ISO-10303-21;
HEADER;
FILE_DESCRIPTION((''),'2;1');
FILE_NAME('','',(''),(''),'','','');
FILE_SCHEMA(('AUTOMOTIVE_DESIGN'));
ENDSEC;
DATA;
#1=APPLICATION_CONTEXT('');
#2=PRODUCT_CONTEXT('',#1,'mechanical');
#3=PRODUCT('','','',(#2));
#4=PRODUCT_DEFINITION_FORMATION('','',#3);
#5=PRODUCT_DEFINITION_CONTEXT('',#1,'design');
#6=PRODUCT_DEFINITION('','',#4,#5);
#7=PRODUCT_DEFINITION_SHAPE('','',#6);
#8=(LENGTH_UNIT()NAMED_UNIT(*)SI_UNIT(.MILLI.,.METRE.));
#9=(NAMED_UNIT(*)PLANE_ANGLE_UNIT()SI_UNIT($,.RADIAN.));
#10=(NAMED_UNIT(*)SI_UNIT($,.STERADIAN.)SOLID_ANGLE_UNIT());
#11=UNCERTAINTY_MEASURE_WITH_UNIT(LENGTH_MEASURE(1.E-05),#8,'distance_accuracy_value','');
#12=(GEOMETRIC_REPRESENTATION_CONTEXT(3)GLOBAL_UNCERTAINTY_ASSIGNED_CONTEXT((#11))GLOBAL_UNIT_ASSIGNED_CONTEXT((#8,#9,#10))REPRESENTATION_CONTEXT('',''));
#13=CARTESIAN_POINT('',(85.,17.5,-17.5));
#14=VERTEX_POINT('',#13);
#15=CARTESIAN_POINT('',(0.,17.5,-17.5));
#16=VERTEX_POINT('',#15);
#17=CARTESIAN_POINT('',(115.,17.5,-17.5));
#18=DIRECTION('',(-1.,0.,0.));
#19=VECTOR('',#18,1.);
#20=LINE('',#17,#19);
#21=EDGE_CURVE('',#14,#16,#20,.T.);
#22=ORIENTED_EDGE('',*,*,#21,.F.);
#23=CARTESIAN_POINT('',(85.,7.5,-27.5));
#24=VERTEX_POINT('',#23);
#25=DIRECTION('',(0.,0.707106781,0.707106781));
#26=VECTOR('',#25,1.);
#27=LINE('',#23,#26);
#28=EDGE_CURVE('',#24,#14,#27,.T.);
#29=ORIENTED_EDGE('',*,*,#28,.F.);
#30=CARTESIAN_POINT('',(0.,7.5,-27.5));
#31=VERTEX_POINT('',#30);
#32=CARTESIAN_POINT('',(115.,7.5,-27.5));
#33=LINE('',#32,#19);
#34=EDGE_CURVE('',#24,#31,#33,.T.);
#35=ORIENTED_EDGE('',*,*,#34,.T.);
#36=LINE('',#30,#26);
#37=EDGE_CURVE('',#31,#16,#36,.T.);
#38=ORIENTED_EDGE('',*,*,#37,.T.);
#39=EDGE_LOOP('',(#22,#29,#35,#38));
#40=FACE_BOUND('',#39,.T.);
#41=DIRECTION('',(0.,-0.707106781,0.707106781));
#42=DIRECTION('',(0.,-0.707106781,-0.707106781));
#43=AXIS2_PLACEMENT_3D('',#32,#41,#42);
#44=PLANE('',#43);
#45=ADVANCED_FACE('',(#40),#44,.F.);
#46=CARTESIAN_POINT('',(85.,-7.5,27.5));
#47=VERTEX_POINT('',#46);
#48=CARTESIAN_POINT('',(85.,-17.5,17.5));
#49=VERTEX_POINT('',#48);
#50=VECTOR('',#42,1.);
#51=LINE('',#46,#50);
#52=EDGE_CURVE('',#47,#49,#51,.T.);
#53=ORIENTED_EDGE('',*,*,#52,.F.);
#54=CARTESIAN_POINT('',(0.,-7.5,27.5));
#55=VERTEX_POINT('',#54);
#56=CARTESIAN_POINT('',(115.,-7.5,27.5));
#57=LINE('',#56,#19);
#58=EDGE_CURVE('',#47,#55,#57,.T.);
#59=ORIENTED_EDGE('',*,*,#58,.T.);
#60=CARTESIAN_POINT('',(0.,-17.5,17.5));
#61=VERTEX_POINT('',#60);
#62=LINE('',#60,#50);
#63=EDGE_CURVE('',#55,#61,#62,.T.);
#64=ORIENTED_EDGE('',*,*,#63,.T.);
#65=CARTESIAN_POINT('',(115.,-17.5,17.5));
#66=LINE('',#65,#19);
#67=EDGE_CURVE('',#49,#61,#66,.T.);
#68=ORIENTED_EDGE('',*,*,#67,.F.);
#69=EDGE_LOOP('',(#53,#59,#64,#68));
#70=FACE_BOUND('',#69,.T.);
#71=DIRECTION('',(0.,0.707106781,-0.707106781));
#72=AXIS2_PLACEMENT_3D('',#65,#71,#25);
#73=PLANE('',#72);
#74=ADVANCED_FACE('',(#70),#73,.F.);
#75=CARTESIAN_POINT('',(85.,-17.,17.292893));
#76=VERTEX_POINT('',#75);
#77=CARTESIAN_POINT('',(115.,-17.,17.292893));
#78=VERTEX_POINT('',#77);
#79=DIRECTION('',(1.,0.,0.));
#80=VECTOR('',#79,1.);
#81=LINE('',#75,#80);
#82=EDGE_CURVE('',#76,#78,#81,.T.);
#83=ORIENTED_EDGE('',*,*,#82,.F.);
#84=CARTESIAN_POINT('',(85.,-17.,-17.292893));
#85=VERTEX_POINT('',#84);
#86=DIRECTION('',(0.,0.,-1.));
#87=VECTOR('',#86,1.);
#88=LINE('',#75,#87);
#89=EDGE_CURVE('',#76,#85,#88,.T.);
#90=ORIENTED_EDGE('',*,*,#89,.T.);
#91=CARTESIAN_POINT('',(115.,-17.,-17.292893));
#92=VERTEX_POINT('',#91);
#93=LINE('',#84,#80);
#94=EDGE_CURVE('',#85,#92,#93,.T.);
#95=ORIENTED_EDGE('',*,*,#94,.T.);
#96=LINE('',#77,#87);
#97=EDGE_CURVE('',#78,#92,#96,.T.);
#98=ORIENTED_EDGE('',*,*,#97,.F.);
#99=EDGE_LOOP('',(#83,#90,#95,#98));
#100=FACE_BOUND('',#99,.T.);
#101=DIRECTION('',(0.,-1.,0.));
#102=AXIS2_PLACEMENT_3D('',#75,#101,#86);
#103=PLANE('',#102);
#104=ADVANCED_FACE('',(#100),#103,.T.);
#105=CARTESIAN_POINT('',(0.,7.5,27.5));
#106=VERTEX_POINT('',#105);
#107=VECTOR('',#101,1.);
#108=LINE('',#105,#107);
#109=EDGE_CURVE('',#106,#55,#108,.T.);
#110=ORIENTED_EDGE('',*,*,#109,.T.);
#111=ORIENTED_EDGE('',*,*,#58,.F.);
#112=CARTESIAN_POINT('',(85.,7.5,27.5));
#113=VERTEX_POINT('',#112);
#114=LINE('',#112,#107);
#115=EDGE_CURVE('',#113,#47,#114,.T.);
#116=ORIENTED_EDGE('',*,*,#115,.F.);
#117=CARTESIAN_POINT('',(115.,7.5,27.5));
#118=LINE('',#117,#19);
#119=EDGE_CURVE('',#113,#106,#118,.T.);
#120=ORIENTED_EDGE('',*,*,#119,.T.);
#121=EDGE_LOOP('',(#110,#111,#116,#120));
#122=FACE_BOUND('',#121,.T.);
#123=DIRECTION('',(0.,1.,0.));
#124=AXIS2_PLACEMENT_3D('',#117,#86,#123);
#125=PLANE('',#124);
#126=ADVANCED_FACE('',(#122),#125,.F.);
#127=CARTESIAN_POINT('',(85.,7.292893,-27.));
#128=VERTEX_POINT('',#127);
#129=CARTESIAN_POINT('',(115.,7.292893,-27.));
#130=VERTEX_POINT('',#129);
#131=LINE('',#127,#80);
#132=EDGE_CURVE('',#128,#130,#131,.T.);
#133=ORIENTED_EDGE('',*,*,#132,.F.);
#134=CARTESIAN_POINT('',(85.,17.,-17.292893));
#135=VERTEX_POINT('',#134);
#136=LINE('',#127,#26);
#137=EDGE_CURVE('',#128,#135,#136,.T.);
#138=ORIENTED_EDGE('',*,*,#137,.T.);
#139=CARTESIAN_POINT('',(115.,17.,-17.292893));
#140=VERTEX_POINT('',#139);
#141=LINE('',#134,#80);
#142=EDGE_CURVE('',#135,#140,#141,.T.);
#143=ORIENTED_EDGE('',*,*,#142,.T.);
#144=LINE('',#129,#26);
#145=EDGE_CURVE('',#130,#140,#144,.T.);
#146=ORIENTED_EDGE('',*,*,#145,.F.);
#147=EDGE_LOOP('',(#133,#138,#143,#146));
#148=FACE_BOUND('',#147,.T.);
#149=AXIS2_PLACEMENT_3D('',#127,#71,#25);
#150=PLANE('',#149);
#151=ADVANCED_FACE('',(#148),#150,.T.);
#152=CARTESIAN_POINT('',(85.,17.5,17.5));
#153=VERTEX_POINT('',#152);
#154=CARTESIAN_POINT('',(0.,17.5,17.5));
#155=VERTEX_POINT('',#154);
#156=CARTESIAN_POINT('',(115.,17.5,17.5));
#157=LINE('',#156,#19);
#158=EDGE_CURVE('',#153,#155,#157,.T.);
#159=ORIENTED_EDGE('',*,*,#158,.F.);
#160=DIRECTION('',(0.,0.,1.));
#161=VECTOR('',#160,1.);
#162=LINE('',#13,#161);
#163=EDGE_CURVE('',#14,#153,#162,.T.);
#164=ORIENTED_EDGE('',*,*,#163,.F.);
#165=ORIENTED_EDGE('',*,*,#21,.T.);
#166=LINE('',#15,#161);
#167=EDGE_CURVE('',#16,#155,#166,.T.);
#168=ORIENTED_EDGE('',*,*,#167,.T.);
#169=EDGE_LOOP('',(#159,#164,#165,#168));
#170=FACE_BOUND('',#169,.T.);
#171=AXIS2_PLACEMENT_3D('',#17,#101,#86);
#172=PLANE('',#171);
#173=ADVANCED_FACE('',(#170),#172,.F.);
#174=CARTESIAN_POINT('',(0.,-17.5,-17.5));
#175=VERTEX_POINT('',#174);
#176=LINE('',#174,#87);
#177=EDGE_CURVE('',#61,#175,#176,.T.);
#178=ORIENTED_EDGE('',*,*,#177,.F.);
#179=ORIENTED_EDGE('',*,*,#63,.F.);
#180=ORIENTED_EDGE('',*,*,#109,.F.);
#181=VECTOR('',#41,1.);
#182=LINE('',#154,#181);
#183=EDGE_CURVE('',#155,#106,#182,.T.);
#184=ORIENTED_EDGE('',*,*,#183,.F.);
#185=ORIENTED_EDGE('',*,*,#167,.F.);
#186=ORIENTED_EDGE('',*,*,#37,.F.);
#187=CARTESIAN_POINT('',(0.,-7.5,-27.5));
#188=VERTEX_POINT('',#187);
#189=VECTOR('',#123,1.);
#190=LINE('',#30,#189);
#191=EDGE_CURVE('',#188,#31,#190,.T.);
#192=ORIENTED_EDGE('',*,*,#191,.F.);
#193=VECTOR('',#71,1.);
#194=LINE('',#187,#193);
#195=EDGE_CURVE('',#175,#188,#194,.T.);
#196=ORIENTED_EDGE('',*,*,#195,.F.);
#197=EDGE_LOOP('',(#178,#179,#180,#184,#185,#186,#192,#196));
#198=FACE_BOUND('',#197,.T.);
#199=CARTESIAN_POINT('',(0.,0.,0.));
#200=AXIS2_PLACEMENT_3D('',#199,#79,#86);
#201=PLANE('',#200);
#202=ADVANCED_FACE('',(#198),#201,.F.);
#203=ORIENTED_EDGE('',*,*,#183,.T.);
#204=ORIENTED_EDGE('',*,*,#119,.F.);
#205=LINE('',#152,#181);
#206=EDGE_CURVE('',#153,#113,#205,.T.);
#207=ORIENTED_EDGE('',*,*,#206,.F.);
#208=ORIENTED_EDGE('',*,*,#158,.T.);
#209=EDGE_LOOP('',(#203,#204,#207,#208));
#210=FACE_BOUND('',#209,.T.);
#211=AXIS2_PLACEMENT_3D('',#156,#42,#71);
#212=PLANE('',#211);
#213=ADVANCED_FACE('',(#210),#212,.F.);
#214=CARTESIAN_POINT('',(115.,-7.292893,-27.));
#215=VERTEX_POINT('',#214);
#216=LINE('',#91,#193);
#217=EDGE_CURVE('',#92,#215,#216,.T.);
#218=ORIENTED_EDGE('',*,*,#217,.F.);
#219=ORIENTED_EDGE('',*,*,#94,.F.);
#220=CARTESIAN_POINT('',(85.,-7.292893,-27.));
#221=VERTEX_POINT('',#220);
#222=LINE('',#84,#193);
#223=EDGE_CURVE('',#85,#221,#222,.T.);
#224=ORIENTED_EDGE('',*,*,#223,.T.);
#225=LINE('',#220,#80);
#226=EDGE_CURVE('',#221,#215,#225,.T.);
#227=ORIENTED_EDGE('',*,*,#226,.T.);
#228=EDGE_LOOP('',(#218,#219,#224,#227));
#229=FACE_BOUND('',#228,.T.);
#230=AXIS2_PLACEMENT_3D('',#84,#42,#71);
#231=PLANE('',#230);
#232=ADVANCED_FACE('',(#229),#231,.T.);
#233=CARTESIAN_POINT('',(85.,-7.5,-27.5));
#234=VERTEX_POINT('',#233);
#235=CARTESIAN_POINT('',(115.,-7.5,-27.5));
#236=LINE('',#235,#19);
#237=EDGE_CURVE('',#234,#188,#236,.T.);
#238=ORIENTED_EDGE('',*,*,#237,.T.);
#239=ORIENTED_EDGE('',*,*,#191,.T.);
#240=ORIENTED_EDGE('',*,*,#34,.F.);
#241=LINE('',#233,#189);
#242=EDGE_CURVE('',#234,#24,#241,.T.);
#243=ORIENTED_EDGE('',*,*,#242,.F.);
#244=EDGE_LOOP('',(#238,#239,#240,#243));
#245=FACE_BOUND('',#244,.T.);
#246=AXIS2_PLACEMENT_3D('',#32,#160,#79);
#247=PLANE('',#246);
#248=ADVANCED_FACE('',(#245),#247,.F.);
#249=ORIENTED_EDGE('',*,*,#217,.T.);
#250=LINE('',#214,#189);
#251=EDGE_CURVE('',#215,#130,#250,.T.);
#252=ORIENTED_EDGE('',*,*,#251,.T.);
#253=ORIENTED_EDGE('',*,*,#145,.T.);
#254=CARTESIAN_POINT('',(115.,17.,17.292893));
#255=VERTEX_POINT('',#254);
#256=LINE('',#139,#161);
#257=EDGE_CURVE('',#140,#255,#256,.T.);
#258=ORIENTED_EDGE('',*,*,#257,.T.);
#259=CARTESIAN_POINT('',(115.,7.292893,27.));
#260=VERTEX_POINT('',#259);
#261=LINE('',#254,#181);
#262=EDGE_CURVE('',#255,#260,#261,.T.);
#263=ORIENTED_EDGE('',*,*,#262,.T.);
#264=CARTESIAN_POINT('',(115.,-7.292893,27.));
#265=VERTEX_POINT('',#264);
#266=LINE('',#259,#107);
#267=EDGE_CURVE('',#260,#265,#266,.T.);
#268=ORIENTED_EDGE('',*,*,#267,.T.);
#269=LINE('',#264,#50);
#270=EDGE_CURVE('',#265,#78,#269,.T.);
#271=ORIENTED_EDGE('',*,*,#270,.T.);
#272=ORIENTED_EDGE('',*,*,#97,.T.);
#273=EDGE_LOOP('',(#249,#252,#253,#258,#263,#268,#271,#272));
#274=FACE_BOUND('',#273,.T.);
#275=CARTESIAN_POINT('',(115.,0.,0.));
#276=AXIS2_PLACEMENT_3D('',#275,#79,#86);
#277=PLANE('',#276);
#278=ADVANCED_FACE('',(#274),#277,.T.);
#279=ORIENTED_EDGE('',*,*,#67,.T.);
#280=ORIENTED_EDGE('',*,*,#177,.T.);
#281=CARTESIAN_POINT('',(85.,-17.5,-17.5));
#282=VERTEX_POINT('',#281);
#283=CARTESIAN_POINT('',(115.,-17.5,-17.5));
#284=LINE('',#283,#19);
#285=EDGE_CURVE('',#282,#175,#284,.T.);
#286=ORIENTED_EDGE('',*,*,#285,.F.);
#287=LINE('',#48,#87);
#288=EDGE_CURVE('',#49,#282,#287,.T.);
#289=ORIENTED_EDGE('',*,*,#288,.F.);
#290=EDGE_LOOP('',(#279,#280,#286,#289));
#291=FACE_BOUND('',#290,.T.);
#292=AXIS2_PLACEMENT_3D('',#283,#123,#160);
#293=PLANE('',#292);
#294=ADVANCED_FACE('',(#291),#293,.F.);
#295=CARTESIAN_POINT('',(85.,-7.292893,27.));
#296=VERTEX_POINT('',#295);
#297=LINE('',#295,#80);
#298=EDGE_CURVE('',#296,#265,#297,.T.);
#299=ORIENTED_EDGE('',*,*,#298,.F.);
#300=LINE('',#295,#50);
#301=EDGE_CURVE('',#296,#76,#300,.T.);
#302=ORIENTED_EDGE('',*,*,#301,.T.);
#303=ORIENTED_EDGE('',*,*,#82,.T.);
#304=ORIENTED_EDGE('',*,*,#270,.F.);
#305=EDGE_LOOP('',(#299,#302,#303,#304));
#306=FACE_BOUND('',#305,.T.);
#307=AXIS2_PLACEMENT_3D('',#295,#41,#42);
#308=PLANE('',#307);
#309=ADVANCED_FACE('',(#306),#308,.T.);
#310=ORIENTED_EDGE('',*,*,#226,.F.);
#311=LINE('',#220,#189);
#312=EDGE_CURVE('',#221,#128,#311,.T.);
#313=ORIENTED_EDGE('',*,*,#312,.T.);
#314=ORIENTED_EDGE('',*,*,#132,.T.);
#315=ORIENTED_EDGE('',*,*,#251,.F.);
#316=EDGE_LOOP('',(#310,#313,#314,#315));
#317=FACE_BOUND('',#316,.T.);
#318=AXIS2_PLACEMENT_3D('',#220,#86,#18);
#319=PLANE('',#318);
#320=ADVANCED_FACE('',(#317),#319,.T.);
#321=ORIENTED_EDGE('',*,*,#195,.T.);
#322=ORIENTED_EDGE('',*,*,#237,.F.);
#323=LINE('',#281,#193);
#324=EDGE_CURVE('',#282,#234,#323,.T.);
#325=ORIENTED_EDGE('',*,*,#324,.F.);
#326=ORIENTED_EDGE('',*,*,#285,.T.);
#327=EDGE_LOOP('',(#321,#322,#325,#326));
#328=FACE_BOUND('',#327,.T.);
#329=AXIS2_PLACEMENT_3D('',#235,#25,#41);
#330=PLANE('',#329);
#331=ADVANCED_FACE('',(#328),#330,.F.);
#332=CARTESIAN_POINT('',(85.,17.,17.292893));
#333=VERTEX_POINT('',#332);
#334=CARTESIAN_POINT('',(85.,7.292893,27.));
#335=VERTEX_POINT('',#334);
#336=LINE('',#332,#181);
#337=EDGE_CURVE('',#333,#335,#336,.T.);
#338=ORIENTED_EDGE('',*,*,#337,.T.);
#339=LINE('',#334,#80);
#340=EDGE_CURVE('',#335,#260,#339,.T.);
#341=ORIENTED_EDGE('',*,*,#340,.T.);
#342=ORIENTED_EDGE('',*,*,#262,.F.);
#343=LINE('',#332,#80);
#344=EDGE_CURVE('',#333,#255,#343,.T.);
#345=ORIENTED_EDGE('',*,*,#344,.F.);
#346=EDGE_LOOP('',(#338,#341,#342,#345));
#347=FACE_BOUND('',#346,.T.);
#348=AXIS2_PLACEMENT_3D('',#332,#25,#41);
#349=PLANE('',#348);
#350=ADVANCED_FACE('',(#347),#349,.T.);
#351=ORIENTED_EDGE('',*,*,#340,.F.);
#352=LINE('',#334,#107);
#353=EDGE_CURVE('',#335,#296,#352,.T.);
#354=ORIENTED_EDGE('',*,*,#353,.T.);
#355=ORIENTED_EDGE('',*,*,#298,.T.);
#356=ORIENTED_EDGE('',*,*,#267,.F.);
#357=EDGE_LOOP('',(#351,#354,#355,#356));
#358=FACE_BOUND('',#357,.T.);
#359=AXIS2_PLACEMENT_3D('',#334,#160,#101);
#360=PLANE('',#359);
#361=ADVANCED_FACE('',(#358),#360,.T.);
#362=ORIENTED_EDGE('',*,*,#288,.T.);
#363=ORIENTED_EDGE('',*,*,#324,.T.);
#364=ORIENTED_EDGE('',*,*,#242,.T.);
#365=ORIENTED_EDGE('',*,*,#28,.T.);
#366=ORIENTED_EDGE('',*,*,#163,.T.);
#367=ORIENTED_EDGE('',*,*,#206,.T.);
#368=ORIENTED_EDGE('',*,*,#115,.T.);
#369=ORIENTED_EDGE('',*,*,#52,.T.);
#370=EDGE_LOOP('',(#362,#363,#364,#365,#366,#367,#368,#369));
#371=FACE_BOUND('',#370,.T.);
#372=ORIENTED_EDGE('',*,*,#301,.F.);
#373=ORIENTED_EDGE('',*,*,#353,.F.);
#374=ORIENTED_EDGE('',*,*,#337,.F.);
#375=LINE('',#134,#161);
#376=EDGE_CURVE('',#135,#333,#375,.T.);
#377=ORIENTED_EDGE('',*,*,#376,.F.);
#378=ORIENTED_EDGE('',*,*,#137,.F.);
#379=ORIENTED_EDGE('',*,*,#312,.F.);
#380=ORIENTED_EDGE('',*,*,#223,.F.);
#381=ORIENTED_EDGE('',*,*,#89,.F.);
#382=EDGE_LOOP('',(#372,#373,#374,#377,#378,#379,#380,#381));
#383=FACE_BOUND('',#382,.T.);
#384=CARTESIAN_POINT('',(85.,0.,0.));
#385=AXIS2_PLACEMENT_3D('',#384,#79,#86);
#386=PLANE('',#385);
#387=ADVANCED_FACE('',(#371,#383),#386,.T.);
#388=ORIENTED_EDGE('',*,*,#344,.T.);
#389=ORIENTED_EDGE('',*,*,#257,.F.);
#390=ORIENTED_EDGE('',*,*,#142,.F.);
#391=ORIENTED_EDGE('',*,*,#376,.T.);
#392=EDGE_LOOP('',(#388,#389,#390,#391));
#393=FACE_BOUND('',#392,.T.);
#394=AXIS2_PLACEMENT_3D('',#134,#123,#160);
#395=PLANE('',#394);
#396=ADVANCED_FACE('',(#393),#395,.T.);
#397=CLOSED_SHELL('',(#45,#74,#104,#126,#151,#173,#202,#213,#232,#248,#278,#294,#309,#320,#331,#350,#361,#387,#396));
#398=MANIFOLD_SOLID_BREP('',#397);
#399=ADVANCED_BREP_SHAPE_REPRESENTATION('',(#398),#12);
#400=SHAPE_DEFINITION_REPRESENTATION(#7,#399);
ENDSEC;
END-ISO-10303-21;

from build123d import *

# Parameters (mm, degrees)
BOSS_EXTRUDE1_DEPTH = 115
CUT_EXTRUDE1_DEPTH  = 30


with BuildPart() as part:
    # Sketch1 → Boss-Extrude1 (new body)
    with BuildSketch(Plane(origin=(0, 0, 0), x_dir=(0, 0, -1), z_dir=(1, 0, 0))):
        Polygon((-17.5, 17.5), (-27.5, 7.5), (-27.5, -7.5), (-17.5, -17.5), (17.5, -17.5), (27.5, -7.5), (27.5, 7.5), (17.5, 17.5), align=None)
    extrude(amount=BOSS_EXTRUDE1_DEPTH)

    # Sketch2 → Cut-Extrude1 (cut)
    with BuildSketch(Plane(origin=(115, 0, 0), x_dir=(0, 0, -1), z_dir=(1, 0, 0))):
        Polygon((27.5, 7.5), (17.5, 17.5), (-17.5, 17.5), (-27.5, 7.5), (-27.5, -7.5), (-17.5, -17.5), (17.5, -17.5), (27.5, -7.5), align=None)
        Polygon((27, 7.292893219), (17.292893219, 17), (-17.292893219, 17), (-27, 7.292893219), (-27, -7.292893219), (-17.292893219, -17), (17.292893219, -17), (27, -7.292893219), align=None, mode=Mode.SUBTRACT)
    extrude(amount=-CUT_EXTRUDE1_DEPTH, mode=Mode.SUBTRACT)


solid = part.part
